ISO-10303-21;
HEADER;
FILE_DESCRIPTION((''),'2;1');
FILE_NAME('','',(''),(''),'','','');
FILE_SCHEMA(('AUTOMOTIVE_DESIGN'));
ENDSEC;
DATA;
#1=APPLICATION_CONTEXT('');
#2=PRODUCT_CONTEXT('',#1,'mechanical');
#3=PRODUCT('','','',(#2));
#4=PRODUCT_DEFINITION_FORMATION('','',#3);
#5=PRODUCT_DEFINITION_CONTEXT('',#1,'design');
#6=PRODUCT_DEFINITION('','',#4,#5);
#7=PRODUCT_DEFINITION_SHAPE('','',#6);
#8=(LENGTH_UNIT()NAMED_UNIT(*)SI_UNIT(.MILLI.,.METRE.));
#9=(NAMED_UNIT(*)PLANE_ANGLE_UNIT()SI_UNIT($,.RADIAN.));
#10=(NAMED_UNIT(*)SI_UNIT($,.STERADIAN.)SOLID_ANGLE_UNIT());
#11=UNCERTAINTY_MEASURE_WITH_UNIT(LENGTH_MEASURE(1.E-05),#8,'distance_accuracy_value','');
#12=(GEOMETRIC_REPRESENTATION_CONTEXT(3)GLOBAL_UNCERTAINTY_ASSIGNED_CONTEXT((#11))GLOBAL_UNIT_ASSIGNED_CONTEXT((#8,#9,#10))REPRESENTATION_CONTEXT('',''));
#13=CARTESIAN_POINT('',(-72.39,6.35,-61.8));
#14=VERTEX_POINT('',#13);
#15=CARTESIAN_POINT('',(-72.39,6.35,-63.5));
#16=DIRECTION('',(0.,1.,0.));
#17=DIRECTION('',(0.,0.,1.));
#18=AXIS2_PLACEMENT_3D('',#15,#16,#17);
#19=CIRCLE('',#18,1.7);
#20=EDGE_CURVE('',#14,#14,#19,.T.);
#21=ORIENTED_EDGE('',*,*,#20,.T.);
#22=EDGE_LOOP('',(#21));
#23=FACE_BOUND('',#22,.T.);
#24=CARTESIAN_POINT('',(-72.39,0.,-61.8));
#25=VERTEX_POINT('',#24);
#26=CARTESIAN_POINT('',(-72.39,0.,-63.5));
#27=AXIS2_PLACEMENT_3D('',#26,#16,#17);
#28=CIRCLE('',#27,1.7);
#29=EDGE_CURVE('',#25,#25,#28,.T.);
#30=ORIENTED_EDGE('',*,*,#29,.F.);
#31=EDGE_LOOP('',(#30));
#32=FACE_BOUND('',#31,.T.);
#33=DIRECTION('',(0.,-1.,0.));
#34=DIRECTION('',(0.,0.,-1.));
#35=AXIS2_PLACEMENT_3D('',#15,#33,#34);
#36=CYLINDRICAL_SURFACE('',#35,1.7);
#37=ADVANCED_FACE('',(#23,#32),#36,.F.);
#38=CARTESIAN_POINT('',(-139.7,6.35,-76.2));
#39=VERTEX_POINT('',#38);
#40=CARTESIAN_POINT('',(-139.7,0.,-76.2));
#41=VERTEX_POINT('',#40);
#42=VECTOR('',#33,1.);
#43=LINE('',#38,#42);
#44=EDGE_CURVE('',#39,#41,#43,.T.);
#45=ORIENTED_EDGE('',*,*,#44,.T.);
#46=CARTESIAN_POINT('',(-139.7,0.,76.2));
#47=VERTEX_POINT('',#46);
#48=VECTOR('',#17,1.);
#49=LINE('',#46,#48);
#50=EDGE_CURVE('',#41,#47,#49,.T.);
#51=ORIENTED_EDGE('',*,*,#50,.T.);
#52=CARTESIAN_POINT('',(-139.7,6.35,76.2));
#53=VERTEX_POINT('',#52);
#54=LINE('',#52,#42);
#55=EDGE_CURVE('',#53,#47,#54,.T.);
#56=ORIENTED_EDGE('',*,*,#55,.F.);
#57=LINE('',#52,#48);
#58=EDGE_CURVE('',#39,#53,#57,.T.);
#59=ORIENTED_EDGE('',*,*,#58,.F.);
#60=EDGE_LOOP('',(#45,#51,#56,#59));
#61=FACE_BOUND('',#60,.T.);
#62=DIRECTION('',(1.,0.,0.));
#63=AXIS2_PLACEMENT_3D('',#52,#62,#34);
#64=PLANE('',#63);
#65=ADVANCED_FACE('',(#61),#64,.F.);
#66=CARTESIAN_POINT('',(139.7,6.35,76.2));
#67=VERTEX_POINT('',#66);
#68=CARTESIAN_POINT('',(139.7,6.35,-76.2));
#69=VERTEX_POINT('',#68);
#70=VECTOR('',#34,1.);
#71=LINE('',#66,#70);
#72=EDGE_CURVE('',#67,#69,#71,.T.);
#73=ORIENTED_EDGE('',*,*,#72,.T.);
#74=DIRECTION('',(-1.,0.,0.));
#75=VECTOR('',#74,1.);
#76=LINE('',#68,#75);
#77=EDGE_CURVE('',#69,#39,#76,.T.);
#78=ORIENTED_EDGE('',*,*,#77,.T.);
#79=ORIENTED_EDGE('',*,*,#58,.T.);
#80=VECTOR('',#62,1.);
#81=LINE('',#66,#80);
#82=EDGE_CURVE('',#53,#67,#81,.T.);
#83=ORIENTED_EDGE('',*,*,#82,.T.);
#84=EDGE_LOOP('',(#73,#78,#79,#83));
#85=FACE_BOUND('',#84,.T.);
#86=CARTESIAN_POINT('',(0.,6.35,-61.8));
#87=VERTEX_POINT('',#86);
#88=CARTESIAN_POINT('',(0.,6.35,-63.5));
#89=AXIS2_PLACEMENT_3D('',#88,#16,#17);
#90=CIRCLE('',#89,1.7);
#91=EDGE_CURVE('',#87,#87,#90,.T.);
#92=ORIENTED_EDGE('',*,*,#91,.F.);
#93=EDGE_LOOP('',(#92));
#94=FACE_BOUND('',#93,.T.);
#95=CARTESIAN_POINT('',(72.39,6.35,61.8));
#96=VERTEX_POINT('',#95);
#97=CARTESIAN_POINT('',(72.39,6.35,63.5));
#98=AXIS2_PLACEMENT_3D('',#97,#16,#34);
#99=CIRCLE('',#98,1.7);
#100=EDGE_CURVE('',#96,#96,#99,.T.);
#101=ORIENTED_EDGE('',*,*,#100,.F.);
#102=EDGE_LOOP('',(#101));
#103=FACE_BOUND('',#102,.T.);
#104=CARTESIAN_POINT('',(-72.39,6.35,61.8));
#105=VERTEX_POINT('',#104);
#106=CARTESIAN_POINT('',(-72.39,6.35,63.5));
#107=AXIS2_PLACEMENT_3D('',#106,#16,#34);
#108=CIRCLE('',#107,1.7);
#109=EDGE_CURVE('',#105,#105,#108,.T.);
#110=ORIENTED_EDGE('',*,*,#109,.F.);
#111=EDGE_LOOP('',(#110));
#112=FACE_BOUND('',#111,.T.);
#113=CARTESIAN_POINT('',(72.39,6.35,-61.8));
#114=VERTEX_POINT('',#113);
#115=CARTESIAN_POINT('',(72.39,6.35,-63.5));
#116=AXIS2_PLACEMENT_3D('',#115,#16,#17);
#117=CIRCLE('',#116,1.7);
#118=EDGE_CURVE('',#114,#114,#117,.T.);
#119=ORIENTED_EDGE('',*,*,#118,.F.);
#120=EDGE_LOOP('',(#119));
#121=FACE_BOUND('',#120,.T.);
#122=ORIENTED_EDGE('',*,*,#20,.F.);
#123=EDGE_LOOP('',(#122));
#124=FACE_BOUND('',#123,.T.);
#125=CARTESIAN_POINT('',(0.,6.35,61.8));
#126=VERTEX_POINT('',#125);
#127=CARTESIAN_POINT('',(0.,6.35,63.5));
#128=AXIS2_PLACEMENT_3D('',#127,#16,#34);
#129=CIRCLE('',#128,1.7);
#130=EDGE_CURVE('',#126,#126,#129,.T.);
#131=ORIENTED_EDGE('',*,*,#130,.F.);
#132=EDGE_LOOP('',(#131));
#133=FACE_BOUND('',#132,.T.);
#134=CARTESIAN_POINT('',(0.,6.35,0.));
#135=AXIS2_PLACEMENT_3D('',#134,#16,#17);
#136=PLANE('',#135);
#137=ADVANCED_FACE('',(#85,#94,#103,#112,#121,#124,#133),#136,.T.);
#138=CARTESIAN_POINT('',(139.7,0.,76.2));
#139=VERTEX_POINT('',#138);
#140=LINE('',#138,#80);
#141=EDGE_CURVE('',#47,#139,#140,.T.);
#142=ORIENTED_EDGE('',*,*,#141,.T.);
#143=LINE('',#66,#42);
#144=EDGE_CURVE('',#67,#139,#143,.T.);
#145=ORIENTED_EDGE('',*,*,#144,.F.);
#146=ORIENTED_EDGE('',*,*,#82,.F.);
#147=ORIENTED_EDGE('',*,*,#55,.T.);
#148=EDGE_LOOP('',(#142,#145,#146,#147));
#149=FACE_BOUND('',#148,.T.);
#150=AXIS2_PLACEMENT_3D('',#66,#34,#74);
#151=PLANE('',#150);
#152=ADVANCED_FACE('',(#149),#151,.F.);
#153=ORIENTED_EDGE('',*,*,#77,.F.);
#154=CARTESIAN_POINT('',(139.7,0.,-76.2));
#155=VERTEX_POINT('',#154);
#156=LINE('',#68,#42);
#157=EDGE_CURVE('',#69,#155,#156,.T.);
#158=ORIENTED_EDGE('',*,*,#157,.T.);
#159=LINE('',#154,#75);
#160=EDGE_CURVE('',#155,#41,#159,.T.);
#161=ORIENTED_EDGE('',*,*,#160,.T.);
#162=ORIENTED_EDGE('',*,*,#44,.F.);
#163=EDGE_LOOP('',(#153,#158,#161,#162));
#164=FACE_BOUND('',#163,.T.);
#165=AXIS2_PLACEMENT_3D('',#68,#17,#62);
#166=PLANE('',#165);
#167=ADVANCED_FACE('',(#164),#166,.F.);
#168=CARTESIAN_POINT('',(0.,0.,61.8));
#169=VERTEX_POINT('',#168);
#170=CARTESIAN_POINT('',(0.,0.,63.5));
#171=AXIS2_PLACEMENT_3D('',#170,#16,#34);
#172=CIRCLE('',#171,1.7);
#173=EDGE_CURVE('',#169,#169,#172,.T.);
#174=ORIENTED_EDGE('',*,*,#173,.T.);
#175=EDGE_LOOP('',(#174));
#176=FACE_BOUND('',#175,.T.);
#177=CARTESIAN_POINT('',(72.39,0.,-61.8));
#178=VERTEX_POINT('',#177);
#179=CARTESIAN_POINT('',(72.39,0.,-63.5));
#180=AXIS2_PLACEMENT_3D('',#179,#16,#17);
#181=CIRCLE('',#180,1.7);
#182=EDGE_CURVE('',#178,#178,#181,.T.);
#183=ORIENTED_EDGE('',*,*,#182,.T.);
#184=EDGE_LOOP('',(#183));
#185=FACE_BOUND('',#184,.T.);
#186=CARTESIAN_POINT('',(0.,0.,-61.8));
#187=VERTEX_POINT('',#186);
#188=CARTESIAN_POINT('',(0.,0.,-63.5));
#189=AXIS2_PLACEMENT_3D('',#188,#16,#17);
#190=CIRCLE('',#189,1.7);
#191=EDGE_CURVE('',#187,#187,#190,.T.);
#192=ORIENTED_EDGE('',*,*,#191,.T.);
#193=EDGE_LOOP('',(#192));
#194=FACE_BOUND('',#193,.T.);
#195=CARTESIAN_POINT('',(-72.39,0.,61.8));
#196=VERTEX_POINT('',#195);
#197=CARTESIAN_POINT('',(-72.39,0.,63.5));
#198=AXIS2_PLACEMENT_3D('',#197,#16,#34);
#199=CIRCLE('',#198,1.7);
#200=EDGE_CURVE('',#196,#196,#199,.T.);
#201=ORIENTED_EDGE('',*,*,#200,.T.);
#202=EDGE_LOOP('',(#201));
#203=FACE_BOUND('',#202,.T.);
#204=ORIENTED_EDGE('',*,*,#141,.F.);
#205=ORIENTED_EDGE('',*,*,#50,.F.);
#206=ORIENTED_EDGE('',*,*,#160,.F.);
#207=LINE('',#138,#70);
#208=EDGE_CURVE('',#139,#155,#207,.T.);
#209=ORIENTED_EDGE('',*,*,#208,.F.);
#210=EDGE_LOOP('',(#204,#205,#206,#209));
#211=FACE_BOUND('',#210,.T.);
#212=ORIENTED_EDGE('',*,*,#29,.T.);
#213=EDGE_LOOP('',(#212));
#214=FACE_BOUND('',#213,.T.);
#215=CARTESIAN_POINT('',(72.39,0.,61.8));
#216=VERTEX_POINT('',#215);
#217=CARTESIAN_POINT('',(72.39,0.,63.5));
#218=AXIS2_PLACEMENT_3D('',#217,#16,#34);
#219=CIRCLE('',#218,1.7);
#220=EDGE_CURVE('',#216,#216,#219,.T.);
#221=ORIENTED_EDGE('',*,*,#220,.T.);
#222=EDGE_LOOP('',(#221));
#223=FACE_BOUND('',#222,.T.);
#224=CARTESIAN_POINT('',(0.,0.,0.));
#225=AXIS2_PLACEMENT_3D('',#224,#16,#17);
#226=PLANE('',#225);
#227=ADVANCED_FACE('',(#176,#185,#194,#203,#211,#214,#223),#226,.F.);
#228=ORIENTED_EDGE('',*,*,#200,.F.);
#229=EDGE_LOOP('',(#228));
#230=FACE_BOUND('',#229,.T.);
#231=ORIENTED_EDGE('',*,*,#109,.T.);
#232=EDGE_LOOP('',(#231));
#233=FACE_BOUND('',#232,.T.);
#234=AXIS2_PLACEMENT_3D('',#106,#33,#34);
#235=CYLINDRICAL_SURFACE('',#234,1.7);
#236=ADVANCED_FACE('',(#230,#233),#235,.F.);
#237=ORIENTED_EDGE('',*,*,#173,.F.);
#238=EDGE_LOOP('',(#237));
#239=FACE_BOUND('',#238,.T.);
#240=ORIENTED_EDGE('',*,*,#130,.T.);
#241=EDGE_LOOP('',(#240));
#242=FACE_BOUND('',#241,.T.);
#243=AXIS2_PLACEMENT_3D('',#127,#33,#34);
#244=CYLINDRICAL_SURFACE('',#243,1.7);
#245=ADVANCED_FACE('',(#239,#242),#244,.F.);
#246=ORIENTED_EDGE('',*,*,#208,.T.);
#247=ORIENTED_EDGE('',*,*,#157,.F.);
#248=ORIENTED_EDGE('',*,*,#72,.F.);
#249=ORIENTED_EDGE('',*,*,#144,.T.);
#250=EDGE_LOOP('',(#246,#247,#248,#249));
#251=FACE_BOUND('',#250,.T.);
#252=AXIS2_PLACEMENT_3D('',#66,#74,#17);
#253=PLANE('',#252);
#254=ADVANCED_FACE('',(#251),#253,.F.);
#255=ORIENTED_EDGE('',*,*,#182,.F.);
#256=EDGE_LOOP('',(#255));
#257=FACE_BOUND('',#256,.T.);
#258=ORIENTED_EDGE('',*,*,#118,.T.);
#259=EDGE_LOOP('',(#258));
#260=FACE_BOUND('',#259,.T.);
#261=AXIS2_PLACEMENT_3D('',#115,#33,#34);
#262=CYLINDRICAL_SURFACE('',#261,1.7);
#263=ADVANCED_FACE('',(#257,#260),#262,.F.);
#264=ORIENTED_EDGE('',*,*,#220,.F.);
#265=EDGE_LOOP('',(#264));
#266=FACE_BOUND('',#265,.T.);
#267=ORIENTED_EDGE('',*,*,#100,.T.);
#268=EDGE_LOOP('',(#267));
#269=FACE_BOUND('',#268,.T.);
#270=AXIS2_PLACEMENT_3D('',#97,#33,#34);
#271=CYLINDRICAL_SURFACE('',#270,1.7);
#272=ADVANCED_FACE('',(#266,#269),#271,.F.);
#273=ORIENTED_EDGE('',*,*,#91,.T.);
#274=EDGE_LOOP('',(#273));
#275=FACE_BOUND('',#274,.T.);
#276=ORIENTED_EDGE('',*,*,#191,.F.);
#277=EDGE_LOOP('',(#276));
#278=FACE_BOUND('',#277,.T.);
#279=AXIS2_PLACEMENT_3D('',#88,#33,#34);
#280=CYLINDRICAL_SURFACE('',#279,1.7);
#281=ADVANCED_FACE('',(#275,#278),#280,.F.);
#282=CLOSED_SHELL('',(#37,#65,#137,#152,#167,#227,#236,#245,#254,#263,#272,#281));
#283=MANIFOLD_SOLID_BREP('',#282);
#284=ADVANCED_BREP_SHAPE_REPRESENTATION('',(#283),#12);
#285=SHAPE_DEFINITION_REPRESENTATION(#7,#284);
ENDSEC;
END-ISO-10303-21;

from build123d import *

# Parameters (mm, degrees)
SKETCH1_W           = 279.4
SKETCH1_H           = 152.4
SKETCH1_R           = 1.7
BOSS_EXTRUDE1_DEPTH = 6.35


with BuildPart() as part:
    # Sketch1 → Boss-Extrude1 (new body)
    with BuildSketch(Plane(origin=(0, 0, 0), x_dir=(1, 0, 0), z_dir=(0, 1, 0))):
        Rectangle(SKETCH1_W, SKETCH1_H)
        with Locations(Location((-72.39, 63.5, 0), (0, 0, 270))):
            Circle(SKETCH1_R, mode=Mode.SUBTRACT)
        with Locations(Location((72.39, -63.5, 0), (0, 0, 90))):
            Circle(SKETCH1_R, mode=Mode.SUBTRACT)
        with Locations(Location((0, 63.5, 0), (0, 0, 270))):
            Circle(SKETCH1_R, mode=Mode.SUBTRACT)
        with Locations(Location((72.39, 63.5, 0), (0, 0, 270))):
            Circle(SKETCH1_R, mode=Mode.SUBTRACT)
        with Locations(Location((0, -63.5, 0), (0, 0, 90))):
            Circle(SKETCH1_R, mode=Mode.SUBTRACT)
        with Locations(Location((-72.39, -63.5, 0), (0, 0, 90))):
            Circle(SKETCH1_R, mode=Mode.SUBTRACT)
    extrude(amount=BOSS_EXTRUDE1_DEPTH)


solid = part.part
